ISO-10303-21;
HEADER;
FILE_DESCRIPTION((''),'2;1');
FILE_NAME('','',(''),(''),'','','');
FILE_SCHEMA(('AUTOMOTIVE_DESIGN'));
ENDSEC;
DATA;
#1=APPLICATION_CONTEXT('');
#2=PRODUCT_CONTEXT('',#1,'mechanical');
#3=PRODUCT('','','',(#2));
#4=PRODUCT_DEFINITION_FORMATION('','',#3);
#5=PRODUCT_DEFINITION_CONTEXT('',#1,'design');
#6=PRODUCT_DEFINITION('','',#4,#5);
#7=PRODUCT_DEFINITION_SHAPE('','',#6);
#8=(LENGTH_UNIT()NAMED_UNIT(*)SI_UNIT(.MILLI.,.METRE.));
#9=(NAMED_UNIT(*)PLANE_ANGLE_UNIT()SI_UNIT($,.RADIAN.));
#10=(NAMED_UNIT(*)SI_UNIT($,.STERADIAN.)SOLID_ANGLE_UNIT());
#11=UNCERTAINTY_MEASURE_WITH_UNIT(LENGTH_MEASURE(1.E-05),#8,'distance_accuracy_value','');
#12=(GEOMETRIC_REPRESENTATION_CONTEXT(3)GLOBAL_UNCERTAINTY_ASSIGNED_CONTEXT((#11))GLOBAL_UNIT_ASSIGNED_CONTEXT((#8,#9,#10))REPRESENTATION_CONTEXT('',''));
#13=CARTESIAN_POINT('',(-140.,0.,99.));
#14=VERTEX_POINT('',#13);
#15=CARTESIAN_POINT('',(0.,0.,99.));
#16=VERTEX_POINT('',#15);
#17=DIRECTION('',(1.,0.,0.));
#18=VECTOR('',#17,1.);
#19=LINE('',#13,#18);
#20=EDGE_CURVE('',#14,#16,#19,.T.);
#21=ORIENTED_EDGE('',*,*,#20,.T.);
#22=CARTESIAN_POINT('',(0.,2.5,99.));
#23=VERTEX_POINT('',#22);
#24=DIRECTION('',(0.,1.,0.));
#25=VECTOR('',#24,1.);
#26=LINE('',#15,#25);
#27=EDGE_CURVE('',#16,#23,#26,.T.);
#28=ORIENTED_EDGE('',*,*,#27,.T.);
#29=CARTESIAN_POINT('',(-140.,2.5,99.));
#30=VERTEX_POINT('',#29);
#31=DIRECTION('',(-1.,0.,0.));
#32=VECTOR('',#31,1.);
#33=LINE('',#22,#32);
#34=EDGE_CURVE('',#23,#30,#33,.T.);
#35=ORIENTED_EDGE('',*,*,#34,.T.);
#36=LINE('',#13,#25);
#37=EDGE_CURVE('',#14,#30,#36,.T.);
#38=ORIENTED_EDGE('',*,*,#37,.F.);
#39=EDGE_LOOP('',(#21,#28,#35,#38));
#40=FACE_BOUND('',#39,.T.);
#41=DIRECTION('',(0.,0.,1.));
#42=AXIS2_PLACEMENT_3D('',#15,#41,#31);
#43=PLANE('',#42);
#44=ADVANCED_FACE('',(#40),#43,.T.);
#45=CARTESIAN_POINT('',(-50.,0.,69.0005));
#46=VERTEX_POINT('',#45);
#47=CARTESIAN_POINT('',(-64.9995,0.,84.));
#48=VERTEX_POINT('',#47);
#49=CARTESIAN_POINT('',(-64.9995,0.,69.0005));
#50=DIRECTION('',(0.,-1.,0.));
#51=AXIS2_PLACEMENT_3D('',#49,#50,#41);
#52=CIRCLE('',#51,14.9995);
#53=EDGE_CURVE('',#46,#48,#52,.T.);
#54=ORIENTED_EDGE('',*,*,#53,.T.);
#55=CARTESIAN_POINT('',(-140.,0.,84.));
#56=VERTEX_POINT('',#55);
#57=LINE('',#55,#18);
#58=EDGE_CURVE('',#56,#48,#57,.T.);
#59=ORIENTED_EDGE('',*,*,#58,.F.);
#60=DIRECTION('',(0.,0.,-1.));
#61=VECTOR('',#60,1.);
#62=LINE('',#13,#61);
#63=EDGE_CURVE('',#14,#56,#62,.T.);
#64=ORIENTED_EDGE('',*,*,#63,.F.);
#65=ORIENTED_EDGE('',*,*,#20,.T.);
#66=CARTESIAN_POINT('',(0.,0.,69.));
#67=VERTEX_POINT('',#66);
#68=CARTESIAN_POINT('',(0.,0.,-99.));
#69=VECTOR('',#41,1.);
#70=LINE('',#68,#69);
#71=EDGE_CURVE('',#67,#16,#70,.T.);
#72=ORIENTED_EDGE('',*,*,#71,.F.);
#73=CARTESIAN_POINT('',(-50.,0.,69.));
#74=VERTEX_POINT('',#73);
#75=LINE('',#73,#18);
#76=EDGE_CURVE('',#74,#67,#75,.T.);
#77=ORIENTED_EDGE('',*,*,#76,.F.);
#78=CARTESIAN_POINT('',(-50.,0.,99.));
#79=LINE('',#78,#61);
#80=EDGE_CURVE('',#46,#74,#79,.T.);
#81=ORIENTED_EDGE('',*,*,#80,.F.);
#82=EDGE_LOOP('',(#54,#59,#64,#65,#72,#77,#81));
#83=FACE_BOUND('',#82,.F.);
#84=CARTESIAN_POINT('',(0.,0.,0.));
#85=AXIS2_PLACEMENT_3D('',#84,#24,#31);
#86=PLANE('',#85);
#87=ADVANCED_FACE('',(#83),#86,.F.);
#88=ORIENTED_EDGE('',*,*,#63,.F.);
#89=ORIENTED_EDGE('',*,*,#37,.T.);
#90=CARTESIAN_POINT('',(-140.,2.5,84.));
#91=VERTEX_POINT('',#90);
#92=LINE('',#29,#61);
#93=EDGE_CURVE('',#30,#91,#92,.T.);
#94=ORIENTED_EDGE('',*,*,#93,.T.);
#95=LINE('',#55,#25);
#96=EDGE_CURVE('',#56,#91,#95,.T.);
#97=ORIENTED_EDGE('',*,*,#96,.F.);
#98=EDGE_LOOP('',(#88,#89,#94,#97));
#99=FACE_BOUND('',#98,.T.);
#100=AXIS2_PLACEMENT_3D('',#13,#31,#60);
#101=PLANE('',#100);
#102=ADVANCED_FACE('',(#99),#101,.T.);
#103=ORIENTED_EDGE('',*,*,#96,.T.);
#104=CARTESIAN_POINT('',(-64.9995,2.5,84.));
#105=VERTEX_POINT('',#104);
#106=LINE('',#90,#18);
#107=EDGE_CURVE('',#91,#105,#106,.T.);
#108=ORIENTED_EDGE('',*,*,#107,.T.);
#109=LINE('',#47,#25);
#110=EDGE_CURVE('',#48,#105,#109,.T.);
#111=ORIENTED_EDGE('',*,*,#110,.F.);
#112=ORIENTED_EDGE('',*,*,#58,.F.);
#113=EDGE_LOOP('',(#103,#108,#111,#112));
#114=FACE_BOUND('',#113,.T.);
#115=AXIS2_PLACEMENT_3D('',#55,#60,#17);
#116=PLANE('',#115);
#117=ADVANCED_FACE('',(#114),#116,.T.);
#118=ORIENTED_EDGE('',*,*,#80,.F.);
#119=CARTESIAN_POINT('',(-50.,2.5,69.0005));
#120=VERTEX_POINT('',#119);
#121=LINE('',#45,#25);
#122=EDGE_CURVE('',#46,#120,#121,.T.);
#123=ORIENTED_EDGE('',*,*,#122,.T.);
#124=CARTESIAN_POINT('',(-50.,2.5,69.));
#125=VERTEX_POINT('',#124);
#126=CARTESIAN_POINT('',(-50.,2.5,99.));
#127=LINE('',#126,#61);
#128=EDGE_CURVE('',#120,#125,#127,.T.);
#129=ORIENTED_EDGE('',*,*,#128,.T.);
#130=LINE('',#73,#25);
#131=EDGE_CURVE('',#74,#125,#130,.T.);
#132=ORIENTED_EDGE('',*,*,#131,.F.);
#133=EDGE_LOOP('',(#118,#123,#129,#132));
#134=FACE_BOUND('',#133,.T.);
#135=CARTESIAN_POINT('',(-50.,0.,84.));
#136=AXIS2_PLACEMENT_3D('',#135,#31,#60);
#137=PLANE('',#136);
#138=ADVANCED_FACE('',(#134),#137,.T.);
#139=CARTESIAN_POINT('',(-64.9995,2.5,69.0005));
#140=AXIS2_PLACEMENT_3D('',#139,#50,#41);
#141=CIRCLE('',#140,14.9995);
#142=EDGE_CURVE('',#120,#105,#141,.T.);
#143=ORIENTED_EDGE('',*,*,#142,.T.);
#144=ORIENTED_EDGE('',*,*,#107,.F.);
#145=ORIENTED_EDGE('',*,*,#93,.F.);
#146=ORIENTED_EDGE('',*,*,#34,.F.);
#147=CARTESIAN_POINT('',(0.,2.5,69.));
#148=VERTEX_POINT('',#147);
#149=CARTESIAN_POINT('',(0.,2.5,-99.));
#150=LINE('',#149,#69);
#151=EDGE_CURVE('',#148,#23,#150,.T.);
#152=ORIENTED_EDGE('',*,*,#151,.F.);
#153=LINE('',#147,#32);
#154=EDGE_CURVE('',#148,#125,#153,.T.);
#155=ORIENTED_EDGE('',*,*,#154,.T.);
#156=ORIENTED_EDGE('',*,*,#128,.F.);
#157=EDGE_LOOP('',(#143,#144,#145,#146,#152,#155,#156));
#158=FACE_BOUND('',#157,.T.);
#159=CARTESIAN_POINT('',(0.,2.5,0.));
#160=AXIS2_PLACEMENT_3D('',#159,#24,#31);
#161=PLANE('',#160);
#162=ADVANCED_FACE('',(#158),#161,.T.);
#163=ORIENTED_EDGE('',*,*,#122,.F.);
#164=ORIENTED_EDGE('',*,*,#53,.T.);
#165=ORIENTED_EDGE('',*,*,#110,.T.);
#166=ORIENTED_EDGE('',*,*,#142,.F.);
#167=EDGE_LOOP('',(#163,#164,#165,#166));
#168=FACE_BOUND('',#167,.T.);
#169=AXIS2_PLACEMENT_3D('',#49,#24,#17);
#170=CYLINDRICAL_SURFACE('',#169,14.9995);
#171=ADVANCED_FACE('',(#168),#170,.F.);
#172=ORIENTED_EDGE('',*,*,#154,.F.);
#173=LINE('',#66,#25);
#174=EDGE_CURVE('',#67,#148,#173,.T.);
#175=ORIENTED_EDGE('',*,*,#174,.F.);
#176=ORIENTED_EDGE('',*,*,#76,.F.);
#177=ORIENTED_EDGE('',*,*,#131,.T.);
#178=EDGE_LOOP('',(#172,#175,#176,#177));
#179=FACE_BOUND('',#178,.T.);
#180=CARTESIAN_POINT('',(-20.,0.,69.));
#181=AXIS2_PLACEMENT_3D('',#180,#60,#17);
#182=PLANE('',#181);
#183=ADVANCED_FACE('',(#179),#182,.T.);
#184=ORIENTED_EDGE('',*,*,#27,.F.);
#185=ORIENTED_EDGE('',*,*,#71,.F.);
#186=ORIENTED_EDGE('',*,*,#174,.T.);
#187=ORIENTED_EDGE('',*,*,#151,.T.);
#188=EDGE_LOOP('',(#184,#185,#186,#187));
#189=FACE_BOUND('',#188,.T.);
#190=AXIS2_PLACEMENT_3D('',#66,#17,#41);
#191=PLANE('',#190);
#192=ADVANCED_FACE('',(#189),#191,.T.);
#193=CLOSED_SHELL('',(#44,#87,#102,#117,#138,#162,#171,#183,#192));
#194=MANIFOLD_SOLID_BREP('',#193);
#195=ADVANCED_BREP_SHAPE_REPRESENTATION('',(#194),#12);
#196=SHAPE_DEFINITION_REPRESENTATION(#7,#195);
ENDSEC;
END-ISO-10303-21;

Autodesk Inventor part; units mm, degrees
ref_plane "YZ Plane" through (0, 0, 0) normal (1, 0, 0) x (0, 1, 0)
ref_plane "XZ Plane" through (0, 0, 0) normal (0, 1, 0) x (-1, 0, 0)
ref_plane "XY Plane" through (0, 0, 0) normal (0, 0, 1) x (1, 0, 0)
sketch "スケッチ1" plane through (0, 0, 0) normal (0, 1, 0) x (-1, 0, 0)
  line L0 (0, 99) -> (140, 99)
  line L1 (140, -99) -> (0, -99)
  line L2 (0, -99) -> (0, 99)
  line L3 (20, 99) -> (20, -99)
  line L4 (140, 99) -> (140, -99)
  line L5 (50, 99) -> (50, -99)
  line L6 (140, 84) -> (50, 84)
  line L7 (50, 69) -> (0, 69)
  point P0 (0, 0)
  point P1 (0, 0)
  point P2 (0, 69)
  dimension "d0" = 198
  dimension "d3" = 20
  dimension "d4" = 120
  dimension "d30" = 30
  dimension "d31" = 15
  dimension "d33" = 30
extrude "押し出し1" add sketch "スケッチ1" along normal blind 2.5 contours L0 L3 L7 L2 | L0 L5 L7 L3 | L0 L4 L6 L5
fillet "フィレット2" radius 15 1 edges at (-50, 1.25, 84)
properties part number "base" material "木材 (カエデ材)"
